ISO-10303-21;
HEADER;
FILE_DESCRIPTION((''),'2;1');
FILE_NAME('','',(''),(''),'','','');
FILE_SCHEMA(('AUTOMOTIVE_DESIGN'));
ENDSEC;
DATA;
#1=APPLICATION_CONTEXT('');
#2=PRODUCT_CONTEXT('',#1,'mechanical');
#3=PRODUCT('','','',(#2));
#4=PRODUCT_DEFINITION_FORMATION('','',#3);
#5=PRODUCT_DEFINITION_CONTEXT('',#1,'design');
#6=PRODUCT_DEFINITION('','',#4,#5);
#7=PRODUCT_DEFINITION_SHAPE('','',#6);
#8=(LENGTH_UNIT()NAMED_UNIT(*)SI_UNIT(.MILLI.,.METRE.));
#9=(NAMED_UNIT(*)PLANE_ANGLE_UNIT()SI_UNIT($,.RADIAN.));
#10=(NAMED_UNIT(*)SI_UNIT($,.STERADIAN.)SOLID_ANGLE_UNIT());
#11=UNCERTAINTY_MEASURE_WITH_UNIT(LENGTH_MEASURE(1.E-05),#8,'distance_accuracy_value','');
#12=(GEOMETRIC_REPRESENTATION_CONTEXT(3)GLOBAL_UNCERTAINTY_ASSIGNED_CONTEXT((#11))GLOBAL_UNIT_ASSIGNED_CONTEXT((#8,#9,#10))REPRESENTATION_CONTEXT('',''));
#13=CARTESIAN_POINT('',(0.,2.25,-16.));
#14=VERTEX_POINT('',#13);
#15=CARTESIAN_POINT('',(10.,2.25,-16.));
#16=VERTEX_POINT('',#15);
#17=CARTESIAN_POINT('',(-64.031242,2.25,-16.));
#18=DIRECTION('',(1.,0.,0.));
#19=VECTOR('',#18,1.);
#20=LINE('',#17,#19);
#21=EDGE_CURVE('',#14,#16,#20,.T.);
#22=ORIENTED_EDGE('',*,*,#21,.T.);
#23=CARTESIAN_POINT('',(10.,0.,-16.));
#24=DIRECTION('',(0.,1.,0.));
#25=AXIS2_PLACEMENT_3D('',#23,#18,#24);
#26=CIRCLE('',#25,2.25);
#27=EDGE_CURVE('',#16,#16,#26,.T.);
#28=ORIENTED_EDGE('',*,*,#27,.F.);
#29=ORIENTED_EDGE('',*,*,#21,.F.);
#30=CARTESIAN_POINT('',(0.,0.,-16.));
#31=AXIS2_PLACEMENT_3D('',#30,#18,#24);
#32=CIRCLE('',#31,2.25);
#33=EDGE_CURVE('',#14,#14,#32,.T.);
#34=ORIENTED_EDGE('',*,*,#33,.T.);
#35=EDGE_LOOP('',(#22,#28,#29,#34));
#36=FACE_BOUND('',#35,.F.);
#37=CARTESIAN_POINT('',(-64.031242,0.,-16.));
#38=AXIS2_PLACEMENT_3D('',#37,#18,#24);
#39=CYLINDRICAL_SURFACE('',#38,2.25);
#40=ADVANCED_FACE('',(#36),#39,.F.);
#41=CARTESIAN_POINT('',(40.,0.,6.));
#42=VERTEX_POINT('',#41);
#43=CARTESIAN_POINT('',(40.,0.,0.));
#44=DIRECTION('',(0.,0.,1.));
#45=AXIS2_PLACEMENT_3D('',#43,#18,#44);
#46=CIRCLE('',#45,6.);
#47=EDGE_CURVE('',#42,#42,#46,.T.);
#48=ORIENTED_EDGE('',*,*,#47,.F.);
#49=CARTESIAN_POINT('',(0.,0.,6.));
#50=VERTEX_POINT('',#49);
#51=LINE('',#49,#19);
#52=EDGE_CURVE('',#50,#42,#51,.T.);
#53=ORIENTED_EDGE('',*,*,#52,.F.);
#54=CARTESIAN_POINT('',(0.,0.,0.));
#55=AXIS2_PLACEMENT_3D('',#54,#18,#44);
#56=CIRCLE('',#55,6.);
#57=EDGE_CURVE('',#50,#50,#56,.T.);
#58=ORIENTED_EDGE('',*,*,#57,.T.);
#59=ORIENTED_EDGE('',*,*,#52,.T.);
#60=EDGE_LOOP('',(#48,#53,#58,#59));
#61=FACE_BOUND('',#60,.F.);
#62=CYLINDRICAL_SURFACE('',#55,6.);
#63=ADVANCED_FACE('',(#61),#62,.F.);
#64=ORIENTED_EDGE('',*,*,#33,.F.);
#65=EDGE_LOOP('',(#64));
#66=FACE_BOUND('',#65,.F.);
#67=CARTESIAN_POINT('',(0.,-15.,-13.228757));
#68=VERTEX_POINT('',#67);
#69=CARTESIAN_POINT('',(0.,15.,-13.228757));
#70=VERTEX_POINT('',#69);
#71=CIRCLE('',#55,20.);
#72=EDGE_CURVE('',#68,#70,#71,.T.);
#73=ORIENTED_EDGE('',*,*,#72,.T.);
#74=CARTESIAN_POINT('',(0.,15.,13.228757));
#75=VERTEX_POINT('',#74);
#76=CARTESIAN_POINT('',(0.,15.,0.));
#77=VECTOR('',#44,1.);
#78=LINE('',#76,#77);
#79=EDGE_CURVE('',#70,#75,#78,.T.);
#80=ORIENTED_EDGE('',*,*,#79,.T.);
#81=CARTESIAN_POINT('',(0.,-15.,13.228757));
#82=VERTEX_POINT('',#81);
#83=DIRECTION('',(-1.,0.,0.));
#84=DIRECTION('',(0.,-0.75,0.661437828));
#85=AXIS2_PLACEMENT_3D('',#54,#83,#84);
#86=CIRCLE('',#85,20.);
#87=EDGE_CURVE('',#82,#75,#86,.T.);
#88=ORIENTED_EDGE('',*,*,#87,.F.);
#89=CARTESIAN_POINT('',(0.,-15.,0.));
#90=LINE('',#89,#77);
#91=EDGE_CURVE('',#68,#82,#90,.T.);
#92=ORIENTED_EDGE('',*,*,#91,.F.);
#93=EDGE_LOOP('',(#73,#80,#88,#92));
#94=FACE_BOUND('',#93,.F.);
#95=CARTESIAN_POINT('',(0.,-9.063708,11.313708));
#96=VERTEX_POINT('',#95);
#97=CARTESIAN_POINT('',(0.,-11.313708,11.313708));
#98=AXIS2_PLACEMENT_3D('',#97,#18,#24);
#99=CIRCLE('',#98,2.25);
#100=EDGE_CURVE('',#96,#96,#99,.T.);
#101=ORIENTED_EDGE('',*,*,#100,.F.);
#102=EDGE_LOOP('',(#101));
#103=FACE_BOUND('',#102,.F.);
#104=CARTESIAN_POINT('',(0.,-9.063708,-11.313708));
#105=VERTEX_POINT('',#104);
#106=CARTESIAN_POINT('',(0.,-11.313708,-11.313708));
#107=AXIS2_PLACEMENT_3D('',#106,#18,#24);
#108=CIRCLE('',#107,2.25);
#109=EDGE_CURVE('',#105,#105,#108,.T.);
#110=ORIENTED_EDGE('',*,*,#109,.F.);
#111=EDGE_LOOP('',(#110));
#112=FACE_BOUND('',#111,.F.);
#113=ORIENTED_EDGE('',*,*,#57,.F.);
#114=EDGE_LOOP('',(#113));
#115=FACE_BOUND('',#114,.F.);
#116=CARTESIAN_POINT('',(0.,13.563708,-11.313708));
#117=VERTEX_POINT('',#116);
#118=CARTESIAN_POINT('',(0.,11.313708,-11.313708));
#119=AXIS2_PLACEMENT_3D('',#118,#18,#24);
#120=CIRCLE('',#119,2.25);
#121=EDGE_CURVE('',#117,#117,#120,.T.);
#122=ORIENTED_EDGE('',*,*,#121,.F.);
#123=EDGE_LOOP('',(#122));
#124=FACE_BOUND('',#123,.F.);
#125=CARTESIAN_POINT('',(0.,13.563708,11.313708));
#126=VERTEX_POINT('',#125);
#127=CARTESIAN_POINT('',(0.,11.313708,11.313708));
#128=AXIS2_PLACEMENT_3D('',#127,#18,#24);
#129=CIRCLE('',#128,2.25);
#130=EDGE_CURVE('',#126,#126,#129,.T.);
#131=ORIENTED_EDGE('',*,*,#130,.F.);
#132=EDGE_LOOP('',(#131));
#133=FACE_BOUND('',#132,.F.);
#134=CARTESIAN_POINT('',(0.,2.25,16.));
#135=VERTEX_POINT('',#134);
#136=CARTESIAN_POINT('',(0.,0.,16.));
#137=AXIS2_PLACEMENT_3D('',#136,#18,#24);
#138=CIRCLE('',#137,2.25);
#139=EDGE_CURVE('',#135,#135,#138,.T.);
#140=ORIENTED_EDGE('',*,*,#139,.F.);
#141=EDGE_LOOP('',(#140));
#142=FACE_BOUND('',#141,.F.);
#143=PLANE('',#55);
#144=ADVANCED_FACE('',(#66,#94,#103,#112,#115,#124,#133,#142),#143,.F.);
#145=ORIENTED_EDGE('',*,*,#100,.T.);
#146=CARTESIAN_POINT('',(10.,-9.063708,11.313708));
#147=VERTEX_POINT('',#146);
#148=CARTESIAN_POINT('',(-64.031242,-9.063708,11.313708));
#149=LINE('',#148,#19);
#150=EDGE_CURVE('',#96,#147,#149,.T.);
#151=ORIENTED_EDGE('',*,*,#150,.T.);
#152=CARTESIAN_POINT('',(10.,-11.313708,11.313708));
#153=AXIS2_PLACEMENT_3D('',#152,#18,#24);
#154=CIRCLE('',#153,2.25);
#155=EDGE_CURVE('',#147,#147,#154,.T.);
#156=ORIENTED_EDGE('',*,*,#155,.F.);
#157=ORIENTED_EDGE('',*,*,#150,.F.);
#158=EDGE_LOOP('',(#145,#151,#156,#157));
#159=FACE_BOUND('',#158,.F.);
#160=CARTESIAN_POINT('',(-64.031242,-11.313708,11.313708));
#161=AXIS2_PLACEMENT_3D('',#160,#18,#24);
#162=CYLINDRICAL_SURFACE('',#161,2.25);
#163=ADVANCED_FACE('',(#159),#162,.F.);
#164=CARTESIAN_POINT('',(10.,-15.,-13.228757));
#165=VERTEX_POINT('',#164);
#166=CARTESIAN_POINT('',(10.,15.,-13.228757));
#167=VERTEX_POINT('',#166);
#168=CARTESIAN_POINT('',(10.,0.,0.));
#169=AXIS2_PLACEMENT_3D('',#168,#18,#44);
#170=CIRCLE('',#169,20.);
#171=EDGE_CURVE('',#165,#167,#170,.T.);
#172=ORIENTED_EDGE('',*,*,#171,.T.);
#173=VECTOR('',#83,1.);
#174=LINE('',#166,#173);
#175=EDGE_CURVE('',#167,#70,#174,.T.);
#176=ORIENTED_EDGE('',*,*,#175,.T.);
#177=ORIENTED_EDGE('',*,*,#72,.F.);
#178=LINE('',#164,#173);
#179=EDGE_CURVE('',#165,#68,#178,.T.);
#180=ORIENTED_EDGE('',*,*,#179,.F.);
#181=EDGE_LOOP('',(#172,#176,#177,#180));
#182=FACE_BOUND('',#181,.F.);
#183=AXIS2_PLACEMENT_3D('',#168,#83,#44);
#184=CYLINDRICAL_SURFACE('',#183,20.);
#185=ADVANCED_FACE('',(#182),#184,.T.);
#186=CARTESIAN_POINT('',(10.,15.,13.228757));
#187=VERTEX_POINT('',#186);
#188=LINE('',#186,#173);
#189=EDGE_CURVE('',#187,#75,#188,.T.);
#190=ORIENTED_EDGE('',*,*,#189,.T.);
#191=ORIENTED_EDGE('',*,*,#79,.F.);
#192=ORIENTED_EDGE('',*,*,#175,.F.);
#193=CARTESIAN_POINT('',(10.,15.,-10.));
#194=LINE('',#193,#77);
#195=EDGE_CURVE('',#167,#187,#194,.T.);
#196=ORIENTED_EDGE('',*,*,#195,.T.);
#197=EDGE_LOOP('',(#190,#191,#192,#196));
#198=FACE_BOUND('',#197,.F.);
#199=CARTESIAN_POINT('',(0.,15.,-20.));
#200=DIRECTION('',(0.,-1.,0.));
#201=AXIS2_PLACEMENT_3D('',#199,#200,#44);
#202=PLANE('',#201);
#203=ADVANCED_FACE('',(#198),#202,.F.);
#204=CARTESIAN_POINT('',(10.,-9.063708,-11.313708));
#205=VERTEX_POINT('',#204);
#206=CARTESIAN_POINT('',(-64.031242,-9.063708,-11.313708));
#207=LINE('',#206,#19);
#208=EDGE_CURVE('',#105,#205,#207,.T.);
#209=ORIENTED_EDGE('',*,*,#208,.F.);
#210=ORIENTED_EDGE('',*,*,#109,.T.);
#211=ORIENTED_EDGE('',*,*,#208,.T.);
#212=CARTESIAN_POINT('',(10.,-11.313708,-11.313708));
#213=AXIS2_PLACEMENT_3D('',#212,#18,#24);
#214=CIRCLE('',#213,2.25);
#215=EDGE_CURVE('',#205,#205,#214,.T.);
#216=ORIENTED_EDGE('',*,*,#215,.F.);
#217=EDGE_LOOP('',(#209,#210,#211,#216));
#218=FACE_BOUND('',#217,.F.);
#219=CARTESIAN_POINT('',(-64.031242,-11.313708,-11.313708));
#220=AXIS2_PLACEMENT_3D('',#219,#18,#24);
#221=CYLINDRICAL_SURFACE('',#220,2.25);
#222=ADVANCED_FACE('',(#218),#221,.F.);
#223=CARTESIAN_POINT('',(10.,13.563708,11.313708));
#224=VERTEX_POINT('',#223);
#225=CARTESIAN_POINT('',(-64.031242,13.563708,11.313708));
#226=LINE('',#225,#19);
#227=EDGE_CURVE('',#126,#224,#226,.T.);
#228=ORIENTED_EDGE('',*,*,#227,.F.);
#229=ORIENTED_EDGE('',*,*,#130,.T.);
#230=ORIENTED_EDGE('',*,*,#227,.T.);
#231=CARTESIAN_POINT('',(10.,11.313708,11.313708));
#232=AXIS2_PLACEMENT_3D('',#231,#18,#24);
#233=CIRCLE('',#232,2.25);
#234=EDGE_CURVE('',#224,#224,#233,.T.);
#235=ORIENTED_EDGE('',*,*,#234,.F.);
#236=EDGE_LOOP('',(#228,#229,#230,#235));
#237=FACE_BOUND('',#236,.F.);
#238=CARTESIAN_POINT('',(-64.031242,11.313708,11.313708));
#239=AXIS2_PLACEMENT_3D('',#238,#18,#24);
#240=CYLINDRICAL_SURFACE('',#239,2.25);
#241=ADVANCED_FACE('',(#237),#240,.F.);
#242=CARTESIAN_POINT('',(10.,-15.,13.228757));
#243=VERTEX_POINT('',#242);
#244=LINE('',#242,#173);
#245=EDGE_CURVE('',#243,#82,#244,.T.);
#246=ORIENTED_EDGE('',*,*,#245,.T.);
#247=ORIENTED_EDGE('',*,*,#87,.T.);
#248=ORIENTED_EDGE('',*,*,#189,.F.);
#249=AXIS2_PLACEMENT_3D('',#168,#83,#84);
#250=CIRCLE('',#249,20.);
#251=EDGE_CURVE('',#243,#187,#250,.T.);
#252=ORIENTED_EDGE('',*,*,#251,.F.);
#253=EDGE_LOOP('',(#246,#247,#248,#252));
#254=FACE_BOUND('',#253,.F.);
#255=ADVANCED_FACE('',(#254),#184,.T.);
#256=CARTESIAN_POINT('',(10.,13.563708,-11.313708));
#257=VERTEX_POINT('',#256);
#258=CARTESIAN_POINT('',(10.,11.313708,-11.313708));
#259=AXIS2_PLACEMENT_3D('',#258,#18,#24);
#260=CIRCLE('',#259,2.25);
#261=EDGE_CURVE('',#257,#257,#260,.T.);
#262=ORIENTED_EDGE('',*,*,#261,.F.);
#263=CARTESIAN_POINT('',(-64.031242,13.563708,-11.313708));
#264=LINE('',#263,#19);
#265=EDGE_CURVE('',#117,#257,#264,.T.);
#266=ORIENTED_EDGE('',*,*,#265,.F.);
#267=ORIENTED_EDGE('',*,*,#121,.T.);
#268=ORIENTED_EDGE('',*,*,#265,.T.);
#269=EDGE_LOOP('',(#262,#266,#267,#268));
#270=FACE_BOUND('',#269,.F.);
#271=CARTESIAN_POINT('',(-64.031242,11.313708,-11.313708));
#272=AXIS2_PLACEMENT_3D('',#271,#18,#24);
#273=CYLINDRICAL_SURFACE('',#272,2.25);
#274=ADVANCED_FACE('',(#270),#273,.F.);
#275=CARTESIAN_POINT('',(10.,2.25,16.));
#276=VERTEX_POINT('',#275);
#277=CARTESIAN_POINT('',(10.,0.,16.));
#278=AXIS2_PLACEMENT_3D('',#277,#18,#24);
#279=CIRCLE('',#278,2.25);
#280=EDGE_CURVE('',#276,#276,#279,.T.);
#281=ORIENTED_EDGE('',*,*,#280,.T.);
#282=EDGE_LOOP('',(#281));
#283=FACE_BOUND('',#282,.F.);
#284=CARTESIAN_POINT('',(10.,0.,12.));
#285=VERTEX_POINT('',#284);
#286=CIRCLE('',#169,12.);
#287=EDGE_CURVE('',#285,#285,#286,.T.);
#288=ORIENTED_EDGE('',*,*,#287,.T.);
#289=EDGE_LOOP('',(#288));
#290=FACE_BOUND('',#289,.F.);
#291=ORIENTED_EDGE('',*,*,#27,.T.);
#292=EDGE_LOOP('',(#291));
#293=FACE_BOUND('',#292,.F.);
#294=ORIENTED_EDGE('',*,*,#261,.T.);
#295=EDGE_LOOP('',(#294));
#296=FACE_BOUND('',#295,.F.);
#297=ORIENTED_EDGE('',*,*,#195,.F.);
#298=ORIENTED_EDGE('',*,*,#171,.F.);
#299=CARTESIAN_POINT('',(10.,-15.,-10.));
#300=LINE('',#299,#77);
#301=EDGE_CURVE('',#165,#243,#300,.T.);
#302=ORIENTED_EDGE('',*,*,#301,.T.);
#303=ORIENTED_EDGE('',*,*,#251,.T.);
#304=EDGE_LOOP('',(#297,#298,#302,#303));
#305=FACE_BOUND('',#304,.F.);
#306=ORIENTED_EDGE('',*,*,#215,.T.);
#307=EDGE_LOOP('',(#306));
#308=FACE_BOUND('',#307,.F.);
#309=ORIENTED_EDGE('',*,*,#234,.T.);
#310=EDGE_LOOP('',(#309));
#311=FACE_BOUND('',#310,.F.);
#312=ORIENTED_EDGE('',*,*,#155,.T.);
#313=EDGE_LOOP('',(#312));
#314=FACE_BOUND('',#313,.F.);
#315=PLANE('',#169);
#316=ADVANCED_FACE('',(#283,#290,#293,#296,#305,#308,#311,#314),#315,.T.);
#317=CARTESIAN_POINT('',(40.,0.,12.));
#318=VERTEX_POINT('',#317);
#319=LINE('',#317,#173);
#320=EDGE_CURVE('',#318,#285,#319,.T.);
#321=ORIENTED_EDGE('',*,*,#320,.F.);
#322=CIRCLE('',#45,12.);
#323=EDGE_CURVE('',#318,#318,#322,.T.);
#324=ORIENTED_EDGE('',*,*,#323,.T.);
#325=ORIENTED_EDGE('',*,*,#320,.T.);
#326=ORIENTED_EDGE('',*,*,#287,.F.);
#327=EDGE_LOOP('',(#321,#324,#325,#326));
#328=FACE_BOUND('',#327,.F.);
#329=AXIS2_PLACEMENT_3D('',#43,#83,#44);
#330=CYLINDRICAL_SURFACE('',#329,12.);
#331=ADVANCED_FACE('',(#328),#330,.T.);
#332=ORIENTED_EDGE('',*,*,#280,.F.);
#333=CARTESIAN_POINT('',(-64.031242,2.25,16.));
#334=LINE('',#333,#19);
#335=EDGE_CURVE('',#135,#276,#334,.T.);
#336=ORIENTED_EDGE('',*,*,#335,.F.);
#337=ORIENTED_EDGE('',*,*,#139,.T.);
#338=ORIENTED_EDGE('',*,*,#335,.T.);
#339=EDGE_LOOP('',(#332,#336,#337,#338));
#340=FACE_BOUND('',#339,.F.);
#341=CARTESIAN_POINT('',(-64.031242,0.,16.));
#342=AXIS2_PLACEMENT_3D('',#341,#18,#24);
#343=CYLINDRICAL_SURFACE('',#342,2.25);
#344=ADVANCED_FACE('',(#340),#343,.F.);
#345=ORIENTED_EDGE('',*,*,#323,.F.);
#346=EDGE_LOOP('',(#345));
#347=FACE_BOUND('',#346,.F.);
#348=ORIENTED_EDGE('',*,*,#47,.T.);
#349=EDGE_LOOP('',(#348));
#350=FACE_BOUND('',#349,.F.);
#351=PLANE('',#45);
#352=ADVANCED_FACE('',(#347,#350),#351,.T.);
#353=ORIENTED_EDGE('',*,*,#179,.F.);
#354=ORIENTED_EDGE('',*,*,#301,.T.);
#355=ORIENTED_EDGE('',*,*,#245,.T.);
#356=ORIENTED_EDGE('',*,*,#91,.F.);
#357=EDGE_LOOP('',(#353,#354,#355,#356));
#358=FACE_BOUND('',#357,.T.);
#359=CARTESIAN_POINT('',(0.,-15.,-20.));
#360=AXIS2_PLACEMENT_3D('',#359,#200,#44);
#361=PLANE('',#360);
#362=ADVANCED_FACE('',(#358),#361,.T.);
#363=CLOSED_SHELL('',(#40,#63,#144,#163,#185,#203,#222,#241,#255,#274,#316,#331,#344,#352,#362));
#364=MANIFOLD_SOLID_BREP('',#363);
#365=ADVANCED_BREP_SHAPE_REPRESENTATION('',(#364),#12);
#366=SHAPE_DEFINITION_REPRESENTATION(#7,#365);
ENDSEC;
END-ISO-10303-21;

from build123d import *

# Parameters (mm, degrees)
F2_W     = 10
F2_H     = 40
F3_DEPTH = 40.001
F4_D     = 4.5


with BuildPart() as f1:
    # F0 (on Front) → F1 (revolve)
    with BuildSketch(Plane.XZ):
        Polygon((0, 20), (0, 6), (40, 6), (40, 12), (10, 12), (10, 20), align=None)
    revolve(axis=Axis((24.2165401578, 0, 0), (1, 0, 0)))

    # F2 (on face) → F3 (cut, through all)
    with BuildSketch(Plane(origin=(0, 0, 0), x_dir=(0, -1, 0), z_dir=(-1, 0, 0))):
        with Locations((-20, 0)):
            Rectangle(F2_W, F2_H)
        with Locations((20, 0)):
            Rectangle(F2_W, F2_H)
    extrude(amount=-F3_DEPTH, mode=Mode.SUBTRACT)

    # F4 (through all)
    with Locations(Plane(origin=(0, 0, 0), x_dir=(0, -1, 0), z_dir=(-1, 0, 0))):
        with Locations((-11.313708499, 11.313708499), (11.313708499, 11.313708499), (11.313708499, -11.313708499), (-11.313708499, -11.313708499), (0, 16), (0, -16)):
            Hole(F4_D / 2)


solid = f1.part
